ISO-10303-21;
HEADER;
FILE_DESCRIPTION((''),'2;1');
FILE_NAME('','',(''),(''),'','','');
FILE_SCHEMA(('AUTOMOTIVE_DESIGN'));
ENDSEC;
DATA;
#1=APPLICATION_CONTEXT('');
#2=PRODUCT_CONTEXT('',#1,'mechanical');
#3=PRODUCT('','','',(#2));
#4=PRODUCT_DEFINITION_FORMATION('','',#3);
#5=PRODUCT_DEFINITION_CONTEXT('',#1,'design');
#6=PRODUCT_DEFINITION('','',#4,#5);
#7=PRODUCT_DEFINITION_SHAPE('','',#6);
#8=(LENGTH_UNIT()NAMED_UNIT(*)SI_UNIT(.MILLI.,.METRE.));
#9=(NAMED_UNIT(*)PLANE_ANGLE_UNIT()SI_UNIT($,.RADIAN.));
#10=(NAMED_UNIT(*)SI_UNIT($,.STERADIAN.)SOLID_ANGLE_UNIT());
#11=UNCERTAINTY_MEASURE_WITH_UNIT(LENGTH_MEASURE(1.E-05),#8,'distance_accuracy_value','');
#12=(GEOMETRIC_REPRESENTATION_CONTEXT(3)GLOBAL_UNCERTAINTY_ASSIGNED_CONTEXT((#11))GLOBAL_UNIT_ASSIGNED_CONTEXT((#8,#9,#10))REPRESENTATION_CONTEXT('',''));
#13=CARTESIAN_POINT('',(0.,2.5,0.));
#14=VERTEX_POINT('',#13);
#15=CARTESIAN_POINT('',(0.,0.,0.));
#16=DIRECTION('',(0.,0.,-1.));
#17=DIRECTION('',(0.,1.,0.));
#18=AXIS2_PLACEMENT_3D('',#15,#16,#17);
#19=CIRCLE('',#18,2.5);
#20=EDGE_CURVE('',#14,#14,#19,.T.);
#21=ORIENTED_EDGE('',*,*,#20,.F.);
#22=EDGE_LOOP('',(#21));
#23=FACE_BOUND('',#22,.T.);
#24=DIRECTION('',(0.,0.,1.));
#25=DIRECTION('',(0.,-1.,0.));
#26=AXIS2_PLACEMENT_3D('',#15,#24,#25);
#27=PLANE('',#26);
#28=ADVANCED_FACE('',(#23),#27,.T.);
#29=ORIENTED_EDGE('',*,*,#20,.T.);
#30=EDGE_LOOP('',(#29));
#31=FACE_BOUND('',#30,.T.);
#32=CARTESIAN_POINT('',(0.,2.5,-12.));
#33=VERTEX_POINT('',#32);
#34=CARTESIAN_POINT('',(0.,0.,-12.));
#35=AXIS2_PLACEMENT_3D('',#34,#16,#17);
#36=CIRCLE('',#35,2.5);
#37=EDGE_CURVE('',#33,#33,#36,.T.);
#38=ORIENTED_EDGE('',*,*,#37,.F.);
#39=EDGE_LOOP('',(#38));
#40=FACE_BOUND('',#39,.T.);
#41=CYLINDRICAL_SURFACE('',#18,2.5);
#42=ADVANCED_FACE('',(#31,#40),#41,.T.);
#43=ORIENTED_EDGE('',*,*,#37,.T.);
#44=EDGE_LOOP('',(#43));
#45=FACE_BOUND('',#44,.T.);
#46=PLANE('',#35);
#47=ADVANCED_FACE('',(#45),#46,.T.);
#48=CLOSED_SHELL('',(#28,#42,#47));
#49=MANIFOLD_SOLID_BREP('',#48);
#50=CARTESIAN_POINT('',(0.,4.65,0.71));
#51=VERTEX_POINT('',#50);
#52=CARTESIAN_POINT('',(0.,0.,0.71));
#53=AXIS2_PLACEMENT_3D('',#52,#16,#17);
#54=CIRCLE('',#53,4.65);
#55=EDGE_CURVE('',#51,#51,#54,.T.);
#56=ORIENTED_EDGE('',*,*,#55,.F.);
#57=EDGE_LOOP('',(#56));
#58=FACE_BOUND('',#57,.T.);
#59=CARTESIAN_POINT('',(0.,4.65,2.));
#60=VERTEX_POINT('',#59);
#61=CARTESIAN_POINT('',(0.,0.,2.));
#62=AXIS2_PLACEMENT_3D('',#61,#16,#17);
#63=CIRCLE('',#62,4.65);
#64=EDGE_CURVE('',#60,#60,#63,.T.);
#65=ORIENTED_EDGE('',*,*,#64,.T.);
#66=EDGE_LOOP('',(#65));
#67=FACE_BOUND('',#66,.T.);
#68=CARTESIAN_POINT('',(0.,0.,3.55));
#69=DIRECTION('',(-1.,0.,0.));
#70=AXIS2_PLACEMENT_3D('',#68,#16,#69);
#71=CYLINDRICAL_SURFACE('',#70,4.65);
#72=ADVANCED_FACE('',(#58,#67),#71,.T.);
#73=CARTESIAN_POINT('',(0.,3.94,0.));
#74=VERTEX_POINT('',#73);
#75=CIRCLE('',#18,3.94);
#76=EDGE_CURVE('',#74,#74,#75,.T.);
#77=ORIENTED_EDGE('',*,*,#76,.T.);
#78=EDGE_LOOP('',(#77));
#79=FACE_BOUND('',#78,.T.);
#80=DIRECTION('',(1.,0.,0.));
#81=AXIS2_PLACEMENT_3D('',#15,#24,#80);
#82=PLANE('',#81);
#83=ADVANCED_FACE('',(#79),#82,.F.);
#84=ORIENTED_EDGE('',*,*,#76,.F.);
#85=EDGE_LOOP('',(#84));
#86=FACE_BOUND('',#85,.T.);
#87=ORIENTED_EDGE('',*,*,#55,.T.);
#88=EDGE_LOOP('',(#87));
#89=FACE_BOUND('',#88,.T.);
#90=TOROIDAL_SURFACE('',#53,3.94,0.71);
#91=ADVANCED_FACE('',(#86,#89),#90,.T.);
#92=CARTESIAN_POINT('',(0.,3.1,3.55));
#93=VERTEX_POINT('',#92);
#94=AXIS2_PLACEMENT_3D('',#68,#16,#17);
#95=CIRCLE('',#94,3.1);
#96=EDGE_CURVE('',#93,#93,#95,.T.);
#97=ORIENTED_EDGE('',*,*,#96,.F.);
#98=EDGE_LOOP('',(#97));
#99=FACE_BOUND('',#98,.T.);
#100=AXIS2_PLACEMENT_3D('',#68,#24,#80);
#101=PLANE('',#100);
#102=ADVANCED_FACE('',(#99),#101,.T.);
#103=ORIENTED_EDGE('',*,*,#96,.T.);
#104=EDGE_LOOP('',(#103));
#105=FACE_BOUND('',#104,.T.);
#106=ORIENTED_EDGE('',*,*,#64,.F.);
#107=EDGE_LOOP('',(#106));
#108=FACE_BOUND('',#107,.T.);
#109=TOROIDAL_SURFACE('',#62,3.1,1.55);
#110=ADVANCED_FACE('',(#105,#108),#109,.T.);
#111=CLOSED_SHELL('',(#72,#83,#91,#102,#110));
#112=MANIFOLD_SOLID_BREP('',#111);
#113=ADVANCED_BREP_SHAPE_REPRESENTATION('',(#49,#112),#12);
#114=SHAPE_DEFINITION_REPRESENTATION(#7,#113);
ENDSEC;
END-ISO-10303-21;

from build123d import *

# Parameters (mm, degrees)
SKETCH1_R      = 4.65
EXTRUDE3_DEPTH = 3.55
SKETCH17_W     = 12
SKETCH17_H     = 2.5


with BuildPart() as part:
    # Sketch1 → Extrude3 (new body)
    with BuildSketch(Plane.XY):
        Circle(SKETCH1_R)
    extrude(amount=EXTRUDE3_DEPTH)

    # Sketch11 → Cut-Revolve3 (revolve, cut)
    with BuildSketch(Plane(origin=(0, 0, 0), x_dir=(0, 0, -1), z_dir=(1, 0, 0))):
        with BuildLine():
            Line((-2, 4.65), (-0.71, 4.65))
            ThreePointArc((-0.71, 4.65), (-0.207954185, 4.442045815), (0, 3.94))
            Line((0, 3.94), (0.254, 3.94))
            Line((0.254, 3.94), (0.254, 4.904))
            Line((0.254, 4.904), (-3.804, 4.904))
            Line((-3.804, 4.904), (-3.804, 3.1))
            Line((-3.804, 3.1), (-3.55, 3.1))
            ThreePointArc((-3.55, 3.1), (-3.096015511, 4.196015511), (-2, 4.65))
        make_face()
    revolve(axis=Axis((0, 0, 0), (0, 0, 1)), mode=Mode.SUBTRACT)


with BuildPart() as body_2:
    # Sketch17 → Revolve1 (revolve)
    with BuildSketch(Plane(origin=(0, 0, 0), x_dir=(0, 0, -1), z_dir=(1, 0, 0))):
        with Locations((6, 1.25)):
            Rectangle(SKETCH17_W, SKETCH17_H)
    revolve(axis=Axis((0, 0, 0), (0, 0, 1)))


solid = Compound([part.part, body_2.part])
